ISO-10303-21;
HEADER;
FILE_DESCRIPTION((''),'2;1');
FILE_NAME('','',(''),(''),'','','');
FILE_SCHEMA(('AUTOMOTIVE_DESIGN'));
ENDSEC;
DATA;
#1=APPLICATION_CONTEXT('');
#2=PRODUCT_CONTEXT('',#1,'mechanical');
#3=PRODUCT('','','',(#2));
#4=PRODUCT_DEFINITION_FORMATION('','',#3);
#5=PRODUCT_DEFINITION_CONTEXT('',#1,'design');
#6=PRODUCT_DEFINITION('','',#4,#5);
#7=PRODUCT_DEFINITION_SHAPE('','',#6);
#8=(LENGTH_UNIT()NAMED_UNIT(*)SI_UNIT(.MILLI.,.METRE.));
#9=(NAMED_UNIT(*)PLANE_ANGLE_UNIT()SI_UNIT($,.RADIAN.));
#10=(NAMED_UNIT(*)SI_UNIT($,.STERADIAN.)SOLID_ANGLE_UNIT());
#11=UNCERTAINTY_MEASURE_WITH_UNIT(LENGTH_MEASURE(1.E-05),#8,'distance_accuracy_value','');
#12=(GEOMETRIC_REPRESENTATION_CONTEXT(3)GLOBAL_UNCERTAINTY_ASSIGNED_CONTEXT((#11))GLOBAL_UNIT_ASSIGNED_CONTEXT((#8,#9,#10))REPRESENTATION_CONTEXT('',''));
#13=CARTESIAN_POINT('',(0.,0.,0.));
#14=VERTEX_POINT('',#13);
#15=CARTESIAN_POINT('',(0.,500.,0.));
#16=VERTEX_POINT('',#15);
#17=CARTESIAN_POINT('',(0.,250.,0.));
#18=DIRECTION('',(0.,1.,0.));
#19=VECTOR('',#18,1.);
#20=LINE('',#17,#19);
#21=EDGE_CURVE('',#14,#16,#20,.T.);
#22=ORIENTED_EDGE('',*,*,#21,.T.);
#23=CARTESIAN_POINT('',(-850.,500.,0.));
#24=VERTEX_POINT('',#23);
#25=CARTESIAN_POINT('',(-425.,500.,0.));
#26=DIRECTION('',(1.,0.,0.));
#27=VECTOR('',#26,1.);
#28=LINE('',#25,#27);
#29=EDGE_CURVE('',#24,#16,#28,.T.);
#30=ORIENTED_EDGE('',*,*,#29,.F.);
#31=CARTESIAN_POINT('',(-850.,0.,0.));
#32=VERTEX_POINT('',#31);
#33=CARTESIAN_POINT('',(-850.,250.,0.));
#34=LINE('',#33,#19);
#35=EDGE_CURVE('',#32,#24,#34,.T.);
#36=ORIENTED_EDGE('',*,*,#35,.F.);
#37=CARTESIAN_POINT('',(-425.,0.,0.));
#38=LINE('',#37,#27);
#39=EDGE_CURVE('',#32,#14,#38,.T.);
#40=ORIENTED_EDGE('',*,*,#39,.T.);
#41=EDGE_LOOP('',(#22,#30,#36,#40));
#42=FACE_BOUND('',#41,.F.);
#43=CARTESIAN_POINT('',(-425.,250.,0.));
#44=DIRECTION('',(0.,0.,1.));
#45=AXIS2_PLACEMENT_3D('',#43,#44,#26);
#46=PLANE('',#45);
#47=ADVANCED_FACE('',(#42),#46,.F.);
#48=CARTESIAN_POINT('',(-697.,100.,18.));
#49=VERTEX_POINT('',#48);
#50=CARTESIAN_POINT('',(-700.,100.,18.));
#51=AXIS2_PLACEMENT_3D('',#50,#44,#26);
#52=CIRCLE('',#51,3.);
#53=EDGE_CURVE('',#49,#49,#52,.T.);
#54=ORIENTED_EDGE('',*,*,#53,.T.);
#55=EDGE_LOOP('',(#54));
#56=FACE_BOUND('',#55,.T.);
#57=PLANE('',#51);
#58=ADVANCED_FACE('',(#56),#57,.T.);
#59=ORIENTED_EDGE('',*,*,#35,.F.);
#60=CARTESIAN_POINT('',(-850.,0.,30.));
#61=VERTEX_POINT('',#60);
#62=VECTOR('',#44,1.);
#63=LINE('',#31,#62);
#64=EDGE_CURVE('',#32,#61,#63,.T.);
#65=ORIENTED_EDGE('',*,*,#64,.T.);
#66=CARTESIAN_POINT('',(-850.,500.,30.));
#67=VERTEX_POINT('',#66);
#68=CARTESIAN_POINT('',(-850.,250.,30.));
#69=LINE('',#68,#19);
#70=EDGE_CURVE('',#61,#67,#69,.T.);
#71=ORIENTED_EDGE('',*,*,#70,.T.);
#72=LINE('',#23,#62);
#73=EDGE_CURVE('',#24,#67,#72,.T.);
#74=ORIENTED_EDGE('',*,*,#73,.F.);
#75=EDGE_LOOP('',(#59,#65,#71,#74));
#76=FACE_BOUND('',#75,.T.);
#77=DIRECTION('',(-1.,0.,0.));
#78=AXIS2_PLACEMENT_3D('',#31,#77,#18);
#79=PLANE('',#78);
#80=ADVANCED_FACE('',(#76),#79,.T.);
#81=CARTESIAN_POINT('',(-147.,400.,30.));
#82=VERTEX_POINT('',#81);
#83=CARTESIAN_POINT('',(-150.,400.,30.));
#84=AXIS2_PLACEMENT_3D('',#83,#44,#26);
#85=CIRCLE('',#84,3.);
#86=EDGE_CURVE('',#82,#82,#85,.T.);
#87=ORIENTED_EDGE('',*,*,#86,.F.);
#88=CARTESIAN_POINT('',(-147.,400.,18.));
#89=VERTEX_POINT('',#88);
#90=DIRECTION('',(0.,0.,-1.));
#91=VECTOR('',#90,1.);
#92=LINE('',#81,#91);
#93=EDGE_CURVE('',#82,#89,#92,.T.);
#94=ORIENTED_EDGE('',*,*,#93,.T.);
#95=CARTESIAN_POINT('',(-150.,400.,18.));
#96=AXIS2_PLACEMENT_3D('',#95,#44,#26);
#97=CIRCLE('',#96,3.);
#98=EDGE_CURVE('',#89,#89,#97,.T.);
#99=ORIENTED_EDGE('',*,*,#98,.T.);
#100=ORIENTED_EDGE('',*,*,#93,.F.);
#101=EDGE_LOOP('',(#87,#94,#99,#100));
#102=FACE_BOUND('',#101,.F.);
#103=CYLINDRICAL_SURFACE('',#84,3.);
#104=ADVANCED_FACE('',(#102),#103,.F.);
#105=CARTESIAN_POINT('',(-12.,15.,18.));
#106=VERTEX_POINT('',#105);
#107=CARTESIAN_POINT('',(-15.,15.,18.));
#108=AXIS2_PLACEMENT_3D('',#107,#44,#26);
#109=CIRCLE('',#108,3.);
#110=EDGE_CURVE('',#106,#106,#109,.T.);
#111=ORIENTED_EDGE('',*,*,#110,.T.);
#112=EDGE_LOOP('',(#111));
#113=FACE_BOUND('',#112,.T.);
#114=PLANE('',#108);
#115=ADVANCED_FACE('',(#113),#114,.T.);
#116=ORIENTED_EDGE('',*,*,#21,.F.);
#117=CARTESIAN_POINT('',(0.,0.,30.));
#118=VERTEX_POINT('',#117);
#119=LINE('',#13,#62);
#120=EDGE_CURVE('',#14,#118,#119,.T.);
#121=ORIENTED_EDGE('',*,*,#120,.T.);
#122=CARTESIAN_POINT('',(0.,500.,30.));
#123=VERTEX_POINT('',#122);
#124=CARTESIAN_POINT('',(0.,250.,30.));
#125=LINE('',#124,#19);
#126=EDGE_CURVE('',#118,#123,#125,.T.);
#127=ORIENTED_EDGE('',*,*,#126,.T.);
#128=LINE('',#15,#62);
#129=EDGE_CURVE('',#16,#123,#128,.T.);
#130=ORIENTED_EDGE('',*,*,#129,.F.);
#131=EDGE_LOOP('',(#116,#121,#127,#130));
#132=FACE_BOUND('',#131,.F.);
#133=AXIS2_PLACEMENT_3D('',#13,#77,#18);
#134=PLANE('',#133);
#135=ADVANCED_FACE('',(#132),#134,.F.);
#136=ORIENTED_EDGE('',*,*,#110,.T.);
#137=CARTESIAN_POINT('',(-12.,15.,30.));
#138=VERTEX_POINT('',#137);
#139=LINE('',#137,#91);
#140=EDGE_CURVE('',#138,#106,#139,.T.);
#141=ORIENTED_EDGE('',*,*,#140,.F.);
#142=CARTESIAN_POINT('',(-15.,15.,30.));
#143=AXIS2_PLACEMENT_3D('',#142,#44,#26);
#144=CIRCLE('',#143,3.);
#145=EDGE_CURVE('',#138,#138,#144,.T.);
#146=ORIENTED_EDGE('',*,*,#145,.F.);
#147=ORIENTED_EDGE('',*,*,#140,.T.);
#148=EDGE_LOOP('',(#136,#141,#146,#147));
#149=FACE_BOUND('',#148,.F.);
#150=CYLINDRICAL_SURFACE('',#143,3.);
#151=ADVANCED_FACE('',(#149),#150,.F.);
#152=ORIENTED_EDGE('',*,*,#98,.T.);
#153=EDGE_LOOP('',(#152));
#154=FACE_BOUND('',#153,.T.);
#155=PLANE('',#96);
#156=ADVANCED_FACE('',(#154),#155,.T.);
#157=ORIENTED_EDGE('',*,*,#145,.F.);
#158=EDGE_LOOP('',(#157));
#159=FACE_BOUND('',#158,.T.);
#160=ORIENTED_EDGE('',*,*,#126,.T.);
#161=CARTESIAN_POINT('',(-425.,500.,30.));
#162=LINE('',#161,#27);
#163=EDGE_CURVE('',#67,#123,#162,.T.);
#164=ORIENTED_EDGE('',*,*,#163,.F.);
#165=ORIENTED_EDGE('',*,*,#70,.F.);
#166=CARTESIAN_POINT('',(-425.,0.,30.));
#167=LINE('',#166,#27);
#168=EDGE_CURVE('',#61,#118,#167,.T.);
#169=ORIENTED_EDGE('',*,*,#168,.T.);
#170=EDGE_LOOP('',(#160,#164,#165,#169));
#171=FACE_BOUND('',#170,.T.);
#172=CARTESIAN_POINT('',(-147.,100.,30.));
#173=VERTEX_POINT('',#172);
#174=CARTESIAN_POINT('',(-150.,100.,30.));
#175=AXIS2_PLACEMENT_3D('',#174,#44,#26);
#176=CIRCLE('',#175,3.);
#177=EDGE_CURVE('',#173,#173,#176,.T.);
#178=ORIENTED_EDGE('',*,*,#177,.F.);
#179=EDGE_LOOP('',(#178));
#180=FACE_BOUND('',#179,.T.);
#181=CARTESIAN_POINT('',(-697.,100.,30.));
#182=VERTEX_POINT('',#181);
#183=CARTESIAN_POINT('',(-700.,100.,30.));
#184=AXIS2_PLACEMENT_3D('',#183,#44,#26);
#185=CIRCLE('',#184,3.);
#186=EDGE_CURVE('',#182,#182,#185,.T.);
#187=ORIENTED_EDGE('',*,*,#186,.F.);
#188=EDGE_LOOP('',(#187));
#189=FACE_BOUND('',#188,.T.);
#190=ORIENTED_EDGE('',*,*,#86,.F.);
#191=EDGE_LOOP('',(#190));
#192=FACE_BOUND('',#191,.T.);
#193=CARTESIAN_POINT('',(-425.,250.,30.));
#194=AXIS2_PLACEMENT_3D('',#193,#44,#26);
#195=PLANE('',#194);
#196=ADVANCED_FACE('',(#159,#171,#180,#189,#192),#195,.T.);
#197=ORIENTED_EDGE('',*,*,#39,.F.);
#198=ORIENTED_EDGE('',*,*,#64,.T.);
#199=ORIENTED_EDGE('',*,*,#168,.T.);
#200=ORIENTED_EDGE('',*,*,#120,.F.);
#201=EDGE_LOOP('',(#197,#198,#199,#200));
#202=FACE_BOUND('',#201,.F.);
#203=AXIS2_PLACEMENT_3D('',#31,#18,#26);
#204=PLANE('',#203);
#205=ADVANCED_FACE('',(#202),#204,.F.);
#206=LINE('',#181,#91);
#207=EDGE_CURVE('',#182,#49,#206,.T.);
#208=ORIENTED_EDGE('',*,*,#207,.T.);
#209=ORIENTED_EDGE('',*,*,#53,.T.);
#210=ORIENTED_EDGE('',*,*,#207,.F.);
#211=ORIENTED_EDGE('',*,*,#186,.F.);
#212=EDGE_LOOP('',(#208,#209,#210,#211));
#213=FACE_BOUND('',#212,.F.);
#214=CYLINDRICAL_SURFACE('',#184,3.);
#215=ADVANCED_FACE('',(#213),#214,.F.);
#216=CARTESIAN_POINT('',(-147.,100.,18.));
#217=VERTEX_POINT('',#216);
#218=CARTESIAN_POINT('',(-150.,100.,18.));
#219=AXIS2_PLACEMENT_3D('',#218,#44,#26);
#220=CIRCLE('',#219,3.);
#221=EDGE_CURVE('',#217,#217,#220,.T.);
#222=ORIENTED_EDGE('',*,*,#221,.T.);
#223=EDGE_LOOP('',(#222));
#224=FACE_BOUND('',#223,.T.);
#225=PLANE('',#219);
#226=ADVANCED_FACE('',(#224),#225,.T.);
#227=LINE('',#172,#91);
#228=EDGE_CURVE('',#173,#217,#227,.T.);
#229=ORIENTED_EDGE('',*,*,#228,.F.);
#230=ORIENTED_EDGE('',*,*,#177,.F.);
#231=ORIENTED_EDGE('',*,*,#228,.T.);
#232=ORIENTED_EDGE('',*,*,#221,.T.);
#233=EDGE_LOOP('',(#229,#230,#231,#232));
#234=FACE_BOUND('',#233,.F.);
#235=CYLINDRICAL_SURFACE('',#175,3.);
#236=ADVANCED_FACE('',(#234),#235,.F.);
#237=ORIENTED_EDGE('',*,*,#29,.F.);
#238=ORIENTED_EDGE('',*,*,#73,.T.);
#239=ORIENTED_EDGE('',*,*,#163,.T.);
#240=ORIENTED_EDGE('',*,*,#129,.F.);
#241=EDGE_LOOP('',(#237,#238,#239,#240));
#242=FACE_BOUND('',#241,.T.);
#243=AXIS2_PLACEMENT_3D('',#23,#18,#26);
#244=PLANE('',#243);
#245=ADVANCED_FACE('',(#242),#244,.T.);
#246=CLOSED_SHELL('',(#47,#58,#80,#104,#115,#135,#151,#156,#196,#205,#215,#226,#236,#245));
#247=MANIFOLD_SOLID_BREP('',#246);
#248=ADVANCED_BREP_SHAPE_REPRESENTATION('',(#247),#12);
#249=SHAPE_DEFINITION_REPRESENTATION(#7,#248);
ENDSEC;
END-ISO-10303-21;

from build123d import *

# Parameters (mm, degrees)
F0_W     = 850
F0_H     = 500
F1_DEPTH = 30
F2_R     = 3
F3_DEPTH = 12
F4_R     = 3
F5_DEPTH = 12
F6_R     = 3
F7_DEPTH = 12
F8_R     = 3
F9_DEPTH = 12


with BuildPart() as f1:
    # F0 (on Top) → F1 (new body)
    with BuildSketch(Plane.XY):
        with Locations((-425, 250)):
            Rectangle(F0_W, F0_H)
    extrude(amount=F1_DEPTH)

    # F2 (on face) → F3 (cut)
    with BuildSketch(Plane.XY.offset(30)):
        with Locations((-150, 100)):
            Circle(F2_R)
    extrude(amount=-F3_DEPTH, mode=Mode.SUBTRACT)

    # F4 (on face) → F5 (cut)
    with BuildSketch(Plane.XY.offset(30)):
        with Locations((-150, 400)):
            Circle(F4_R)
    extrude(amount=-F5_DEPTH, mode=Mode.SUBTRACT)

    # F6 (on face) → F7 (cut)
    with BuildSketch(Plane.XY.offset(30)):
        with Locations((-700, 100)):
            Circle(F6_R)
    extrude(amount=-F7_DEPTH, mode=Mode.SUBTRACT)

    # F8 (on face) → F9 (cut)
    with BuildSketch(Plane.XY.offset(30)):
        with Locations((-15, 15)):
            Circle(F8_R)
    extrude(amount=-F9_DEPTH, mode=Mode.SUBTRACT)


solid = f1.part
